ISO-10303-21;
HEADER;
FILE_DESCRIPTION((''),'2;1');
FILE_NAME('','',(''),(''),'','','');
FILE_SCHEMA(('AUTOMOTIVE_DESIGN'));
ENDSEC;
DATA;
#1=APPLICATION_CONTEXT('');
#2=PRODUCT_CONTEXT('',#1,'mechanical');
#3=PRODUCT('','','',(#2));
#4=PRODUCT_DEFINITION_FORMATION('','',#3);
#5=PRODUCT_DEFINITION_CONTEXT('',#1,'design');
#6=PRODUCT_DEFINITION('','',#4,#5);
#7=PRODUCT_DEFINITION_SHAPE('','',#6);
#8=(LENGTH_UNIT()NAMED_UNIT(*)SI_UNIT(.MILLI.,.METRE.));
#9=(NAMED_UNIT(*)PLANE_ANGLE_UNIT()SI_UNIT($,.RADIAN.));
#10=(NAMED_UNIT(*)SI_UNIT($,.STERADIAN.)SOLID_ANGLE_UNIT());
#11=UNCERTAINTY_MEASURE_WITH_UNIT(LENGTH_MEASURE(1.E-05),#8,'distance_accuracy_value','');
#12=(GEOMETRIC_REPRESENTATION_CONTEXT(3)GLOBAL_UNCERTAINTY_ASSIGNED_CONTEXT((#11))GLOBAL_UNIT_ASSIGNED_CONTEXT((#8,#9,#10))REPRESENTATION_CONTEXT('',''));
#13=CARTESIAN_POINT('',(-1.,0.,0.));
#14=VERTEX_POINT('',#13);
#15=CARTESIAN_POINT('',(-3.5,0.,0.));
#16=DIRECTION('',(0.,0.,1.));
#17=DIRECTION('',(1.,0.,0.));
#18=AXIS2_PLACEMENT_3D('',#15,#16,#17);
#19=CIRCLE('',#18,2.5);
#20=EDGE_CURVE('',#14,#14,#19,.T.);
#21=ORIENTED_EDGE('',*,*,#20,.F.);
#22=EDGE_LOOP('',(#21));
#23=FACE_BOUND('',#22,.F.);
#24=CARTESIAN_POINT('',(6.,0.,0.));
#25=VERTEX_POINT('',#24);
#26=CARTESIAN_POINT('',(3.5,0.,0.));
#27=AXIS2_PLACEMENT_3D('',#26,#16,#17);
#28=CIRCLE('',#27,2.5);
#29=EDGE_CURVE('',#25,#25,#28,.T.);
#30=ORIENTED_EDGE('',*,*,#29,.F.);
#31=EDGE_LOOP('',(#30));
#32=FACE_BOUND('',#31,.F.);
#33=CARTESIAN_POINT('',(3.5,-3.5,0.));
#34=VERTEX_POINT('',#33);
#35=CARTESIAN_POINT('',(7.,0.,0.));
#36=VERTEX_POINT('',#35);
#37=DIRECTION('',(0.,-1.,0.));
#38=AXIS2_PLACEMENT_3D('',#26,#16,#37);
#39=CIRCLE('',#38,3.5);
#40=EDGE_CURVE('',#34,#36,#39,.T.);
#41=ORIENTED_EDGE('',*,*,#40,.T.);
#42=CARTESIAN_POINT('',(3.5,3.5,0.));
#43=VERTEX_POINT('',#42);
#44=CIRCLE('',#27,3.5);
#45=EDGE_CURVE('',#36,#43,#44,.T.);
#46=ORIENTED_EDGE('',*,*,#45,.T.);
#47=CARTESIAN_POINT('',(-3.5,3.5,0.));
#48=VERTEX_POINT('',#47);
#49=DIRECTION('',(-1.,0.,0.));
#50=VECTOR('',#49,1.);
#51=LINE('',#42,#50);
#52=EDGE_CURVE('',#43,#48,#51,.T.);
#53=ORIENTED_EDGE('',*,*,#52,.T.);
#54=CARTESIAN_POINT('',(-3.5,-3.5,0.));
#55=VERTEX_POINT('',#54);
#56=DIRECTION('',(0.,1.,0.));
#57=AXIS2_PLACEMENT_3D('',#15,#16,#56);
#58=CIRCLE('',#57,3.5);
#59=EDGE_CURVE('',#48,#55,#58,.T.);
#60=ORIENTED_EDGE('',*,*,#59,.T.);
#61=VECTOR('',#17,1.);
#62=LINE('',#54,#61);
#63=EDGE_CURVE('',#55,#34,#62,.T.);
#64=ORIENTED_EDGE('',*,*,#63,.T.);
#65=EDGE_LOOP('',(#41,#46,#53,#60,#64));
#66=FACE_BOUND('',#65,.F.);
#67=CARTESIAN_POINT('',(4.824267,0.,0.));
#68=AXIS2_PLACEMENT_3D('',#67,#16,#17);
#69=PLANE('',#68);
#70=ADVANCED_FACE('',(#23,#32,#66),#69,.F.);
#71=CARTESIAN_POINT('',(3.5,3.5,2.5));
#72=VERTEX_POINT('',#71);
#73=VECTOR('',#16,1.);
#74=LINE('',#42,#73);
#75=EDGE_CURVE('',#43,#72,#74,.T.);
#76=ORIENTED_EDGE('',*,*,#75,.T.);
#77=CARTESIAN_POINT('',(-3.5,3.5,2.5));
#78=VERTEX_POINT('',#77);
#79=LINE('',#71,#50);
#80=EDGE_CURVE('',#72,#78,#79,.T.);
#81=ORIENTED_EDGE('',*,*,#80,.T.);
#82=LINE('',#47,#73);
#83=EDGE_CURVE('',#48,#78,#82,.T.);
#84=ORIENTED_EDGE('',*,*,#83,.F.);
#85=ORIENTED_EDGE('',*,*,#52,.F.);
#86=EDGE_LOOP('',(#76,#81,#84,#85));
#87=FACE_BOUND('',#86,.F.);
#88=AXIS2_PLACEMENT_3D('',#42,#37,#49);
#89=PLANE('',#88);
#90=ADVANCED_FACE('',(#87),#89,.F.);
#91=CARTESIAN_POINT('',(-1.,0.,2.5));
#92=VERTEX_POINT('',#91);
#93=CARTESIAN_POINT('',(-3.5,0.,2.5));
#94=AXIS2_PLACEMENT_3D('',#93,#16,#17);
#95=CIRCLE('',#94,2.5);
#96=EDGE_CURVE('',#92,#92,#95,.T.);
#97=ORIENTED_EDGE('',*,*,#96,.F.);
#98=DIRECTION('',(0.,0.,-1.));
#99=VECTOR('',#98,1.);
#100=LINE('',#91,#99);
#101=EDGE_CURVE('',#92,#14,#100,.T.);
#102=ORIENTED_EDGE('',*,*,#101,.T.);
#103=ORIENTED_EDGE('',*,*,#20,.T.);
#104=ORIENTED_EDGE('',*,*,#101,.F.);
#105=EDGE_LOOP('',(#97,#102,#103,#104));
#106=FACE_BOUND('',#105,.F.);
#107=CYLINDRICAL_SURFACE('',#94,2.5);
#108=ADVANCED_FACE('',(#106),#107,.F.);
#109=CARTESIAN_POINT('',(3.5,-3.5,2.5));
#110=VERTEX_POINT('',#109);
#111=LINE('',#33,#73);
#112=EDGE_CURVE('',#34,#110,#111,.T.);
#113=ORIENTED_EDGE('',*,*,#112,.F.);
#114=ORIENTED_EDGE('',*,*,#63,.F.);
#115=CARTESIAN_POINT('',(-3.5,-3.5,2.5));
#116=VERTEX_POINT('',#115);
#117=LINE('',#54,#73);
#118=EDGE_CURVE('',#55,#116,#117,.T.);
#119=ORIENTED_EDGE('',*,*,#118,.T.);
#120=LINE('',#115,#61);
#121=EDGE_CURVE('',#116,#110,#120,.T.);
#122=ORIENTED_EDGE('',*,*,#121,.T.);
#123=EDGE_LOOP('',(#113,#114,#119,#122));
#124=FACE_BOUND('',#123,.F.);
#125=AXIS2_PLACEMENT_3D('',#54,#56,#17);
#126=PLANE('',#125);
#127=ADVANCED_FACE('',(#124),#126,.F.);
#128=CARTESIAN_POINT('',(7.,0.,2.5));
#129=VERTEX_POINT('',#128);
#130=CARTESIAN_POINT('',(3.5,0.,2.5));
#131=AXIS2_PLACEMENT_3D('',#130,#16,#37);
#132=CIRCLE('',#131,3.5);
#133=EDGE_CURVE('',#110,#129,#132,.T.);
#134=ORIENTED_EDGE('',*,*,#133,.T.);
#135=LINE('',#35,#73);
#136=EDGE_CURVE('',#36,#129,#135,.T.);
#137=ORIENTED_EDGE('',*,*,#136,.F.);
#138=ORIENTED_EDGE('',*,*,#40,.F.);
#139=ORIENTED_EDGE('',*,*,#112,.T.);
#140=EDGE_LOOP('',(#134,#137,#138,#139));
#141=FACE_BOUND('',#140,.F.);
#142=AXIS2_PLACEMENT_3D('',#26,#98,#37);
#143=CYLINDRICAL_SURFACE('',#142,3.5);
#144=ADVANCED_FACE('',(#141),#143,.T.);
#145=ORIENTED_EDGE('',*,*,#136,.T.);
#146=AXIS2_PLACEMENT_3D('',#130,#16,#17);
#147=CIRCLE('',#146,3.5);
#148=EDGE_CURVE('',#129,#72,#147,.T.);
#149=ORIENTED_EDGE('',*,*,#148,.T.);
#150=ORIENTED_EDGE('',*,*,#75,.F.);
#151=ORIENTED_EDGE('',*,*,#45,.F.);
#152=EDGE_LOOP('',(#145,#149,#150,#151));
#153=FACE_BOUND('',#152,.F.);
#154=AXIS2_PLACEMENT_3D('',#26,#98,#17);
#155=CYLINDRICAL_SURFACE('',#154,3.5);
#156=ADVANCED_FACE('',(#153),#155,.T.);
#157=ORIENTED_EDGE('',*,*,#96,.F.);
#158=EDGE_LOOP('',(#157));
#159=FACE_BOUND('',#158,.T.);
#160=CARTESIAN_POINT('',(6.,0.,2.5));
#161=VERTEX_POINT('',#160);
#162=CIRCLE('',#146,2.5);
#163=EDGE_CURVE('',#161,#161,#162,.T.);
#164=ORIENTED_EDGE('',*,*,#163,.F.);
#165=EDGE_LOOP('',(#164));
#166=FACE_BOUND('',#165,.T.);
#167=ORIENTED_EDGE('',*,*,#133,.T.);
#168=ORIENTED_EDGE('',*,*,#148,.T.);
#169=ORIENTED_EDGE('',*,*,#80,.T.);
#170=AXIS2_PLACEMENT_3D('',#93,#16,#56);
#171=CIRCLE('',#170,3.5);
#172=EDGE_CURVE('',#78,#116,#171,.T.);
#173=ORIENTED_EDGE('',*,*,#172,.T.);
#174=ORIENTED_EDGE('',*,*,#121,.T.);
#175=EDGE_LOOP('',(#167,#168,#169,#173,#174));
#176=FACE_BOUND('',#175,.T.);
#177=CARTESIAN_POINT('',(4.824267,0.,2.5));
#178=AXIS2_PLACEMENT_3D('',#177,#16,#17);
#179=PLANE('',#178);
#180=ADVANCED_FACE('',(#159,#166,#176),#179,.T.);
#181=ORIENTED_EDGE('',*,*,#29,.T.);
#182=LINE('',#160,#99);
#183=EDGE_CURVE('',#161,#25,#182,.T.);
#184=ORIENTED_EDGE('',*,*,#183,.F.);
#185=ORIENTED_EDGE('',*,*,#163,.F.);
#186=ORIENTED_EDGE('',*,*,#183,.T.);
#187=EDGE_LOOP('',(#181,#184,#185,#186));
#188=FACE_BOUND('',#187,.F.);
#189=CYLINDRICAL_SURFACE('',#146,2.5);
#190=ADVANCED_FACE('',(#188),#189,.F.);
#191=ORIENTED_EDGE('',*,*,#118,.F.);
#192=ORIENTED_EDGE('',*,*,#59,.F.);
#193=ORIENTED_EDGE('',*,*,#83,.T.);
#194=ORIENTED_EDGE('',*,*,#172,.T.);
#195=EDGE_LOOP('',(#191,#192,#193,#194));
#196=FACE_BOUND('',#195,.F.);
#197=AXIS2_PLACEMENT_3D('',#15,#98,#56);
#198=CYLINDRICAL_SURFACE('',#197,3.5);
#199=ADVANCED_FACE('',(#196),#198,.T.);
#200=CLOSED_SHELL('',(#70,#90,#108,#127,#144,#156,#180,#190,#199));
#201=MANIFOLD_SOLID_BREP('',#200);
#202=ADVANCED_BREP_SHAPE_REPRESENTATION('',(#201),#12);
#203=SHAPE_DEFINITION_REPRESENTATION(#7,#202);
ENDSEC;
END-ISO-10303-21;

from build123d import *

# Parameters (mm, degrees)
F1_DEPTH = 2.5
F2_R     = 2.5
F3_DEPTH = 25


with BuildPart() as f1:
    # F0 (on Top) → F1 (new body)
    with BuildSketch(Plane.XY):
        with BuildLine():
            ThreePointArc((3.5, -3.5), (5.9748737342, -2.4748737342), (7, 0))
            ThreePointArc((7, 0), (5.9748737342, 2.4748737342), (3.5, 3.5))
            Line((3.5, 3.5), (3.5, -3.5))
        make_face()
        with BuildLine():
            ThreePointArc((-3.5, -3.5), (-1.0251262658, -2.4748737342), (0, 0))
            ThreePointArc((0, 0), (-1.0251262658, 2.4748737342), (-3.5, 3.5))
            ThreePointArc((-3.5, 3.5), (-7, 0), (-3.5, -3.5))
        make_face()
        with BuildLine():
            ThreePointArc((0, 0), (1.0251262658, 2.4748737342), (3.5, 3.5))
            Line((3.5, 3.5), (0, 3.5))
            Line((0, 3.5), (0, 0))
        make_face()
        with BuildLine():
            Line((3.5, -3.5), (3.5, 3.5))
            ThreePointArc((3.5, 3.5), (1.0251262658, 2.4748737342), (0, 0))
            ThreePointArc((0, 0), (1.0251262658, -2.4748737342), (3.5, -3.5))
        make_face()
        with BuildLine():
            ThreePointArc((-3.5, 3.5), (-1.0251262658, 2.4748737342), (0, 0))
            Line((0, 0), (0, 3.5))
            Line((0, 3.5), (-3.5, 3.5))
        make_face()
        with BuildLine():
            Line((0, -3.5), (0, 0))
            ThreePointArc((0, 0), (-1.0251262658, -2.4748737342), (-3.5, -3.5))
            Line((-3.5, -3.5), (0, -3.5))
        make_face()
        with BuildLine():
            Line((0, -3.5), (3.5, -3.5))
            ThreePointArc((3.5, -3.5), (1.0251262658, -2.4748737342), (0, 0))
            Line((0, 0), (0, -3.5))
        make_face()
    extrude(amount=F1_DEPTH)

    # F2 (on face) → F3 (cut)
    with BuildSketch(Plane.XY.offset(2.5)):
        with Locations((-3.5, 0)):
            Circle(F2_R)
        with Locations((3.5, 0)):
            Circle(F2_R)
    extrude(amount=-F3_DEPTH, mode=Mode.SUBTRACT)


solid = f1.part
